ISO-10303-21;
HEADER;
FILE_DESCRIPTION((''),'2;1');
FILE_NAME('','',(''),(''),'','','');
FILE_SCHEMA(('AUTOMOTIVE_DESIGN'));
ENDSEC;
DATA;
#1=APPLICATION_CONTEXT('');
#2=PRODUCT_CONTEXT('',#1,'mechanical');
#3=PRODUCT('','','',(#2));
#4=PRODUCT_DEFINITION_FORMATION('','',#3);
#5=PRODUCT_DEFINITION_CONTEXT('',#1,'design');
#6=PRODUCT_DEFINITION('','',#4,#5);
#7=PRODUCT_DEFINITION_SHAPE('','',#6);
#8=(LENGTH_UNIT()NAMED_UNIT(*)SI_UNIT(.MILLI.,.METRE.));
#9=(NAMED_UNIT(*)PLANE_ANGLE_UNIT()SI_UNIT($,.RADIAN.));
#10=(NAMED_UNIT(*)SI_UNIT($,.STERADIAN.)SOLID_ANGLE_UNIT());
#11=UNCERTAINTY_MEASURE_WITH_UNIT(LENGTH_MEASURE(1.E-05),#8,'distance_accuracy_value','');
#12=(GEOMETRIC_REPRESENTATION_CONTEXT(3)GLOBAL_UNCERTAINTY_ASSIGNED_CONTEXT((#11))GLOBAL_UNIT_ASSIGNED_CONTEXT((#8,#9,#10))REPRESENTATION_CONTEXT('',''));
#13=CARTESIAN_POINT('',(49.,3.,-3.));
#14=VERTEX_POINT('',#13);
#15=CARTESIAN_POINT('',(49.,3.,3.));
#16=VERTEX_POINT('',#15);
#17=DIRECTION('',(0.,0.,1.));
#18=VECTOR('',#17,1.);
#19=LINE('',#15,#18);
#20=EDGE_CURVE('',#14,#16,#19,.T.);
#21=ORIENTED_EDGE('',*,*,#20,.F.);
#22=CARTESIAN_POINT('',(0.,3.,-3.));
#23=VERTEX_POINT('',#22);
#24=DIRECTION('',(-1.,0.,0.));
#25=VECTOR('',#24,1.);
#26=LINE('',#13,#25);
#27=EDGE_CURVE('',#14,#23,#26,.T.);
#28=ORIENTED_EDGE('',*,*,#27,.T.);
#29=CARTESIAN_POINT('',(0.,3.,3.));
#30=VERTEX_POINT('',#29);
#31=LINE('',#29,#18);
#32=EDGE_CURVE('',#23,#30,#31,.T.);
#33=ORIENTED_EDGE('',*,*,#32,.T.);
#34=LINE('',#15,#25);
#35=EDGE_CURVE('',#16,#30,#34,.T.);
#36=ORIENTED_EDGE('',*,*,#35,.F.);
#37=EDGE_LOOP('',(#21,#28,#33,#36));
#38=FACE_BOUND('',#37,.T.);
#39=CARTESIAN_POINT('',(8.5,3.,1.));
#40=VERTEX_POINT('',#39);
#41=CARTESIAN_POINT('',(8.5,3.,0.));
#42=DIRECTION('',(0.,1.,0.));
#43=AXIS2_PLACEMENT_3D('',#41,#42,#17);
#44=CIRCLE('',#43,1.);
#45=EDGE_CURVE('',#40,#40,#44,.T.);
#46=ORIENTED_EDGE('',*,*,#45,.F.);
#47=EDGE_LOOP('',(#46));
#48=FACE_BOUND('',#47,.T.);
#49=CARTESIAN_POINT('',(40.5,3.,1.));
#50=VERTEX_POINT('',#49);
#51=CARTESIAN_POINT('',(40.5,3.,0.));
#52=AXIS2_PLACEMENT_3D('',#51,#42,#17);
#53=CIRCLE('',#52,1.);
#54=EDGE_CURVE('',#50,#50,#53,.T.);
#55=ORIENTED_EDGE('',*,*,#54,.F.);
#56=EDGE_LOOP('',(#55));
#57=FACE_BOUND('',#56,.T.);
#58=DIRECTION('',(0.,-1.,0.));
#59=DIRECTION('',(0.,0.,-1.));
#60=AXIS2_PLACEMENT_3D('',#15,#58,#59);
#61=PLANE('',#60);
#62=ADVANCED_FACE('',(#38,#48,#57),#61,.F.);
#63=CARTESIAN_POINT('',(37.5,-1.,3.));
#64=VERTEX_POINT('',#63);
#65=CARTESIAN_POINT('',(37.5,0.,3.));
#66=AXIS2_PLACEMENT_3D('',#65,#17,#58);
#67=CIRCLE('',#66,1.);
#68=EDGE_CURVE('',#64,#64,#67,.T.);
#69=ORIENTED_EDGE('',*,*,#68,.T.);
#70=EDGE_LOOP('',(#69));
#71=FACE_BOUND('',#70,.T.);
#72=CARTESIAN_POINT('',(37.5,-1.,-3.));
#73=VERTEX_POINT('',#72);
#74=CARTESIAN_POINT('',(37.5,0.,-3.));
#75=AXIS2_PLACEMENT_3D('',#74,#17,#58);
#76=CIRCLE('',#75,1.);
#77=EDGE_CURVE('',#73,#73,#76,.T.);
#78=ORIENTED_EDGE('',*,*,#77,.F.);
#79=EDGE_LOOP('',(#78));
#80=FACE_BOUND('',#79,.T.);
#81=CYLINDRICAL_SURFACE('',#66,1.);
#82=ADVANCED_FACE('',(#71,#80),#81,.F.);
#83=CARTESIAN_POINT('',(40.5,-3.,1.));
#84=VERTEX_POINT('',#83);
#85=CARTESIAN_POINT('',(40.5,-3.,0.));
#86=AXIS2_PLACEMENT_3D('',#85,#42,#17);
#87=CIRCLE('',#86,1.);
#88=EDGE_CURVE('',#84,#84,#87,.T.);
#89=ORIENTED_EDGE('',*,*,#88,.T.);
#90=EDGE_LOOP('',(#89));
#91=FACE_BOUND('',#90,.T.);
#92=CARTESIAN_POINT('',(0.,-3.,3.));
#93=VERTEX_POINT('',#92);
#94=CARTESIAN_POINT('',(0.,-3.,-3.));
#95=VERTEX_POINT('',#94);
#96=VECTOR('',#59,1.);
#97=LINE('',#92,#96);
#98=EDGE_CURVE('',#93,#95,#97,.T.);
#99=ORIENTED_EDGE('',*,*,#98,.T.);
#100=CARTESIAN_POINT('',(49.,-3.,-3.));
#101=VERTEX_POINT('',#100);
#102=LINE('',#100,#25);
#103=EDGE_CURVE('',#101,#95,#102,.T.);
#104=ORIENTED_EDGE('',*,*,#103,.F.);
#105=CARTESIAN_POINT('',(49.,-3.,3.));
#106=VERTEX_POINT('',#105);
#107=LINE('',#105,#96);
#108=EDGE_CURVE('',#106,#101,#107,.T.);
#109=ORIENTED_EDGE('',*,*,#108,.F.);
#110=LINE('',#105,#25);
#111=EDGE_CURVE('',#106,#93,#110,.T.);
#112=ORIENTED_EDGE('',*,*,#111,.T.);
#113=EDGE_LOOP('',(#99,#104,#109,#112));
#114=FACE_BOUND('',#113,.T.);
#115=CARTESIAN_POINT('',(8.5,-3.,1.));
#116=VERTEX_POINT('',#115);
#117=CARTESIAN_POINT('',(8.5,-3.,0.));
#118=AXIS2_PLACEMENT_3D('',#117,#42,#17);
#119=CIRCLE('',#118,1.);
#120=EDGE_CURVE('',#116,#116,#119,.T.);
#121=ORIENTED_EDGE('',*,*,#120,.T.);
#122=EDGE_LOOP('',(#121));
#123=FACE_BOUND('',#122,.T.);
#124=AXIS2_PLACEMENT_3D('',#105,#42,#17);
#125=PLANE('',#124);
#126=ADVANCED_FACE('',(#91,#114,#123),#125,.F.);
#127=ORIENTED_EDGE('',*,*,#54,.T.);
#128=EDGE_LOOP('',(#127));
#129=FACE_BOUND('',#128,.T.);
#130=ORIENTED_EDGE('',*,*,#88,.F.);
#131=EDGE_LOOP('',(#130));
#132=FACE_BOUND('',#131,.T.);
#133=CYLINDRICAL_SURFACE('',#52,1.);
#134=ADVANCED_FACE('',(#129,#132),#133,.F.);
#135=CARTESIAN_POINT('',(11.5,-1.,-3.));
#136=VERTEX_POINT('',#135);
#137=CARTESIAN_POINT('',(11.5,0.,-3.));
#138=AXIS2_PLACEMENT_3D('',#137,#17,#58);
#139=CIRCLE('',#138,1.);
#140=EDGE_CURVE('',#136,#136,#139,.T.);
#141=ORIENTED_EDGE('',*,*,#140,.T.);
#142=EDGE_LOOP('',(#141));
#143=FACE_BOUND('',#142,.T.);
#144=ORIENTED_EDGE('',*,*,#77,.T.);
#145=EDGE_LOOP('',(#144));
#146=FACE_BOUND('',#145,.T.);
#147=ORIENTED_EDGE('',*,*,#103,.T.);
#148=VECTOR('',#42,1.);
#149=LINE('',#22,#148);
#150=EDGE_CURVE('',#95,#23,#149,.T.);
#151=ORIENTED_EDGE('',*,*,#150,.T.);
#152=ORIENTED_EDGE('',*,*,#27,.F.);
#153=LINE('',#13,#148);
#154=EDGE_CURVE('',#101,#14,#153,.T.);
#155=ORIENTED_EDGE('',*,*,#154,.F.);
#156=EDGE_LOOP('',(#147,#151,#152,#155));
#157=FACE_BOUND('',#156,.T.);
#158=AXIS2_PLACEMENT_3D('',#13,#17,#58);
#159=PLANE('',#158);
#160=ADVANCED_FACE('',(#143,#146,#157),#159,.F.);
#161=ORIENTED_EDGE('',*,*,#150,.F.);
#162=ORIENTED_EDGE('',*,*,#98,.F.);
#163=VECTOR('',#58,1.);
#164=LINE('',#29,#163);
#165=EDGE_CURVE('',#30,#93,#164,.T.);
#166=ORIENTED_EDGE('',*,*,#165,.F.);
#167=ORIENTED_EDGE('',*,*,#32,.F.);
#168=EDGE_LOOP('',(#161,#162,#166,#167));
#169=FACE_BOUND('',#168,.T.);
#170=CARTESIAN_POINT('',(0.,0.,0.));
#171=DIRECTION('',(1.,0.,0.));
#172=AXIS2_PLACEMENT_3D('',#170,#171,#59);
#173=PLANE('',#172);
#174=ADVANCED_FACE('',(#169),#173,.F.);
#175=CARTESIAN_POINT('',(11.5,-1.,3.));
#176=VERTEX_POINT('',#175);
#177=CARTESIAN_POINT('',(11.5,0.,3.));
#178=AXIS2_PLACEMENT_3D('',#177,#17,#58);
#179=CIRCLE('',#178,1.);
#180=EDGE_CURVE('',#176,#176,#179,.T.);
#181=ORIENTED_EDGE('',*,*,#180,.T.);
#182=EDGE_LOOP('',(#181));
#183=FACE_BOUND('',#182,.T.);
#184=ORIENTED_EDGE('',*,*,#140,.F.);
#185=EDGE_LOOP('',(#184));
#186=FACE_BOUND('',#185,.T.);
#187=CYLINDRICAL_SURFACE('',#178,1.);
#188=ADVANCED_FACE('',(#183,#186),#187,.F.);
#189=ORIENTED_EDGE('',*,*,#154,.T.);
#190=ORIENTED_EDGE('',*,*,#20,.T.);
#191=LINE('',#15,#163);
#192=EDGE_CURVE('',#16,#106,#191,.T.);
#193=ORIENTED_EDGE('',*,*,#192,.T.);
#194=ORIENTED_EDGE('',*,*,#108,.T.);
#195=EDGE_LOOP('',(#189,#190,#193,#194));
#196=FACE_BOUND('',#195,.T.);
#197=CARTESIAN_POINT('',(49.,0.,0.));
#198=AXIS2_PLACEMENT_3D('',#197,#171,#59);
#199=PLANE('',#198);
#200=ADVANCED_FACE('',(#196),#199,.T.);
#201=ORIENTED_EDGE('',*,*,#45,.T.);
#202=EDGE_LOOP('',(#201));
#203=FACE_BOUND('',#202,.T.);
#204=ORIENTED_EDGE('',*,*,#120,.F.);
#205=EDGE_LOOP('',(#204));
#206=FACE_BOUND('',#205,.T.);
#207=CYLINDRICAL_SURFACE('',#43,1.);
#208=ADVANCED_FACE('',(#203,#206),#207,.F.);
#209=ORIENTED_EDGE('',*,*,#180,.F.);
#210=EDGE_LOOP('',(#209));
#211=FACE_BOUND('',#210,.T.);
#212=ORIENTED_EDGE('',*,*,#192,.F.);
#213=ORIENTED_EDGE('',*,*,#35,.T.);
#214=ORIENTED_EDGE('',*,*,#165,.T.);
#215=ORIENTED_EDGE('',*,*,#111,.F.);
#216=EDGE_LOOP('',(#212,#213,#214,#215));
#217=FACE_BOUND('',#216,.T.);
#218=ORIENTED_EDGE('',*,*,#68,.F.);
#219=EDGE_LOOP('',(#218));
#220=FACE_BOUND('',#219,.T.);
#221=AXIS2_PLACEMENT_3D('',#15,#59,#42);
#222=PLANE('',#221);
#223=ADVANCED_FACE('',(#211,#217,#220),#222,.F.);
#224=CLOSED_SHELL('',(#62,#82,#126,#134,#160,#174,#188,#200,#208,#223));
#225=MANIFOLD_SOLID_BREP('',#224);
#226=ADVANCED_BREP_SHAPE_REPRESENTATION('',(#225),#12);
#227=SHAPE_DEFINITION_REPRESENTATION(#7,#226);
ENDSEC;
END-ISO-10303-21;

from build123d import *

# Parameters (mm, degrees)
SKETCH1_W                 = 6
SKETCH1_H                 = 6
BOSS_EXTRUDE1_DEPTH       = 49
F_2_0MM_DOWEL_HOLE1_D     = 2
F_2_0MM_DOWEL_HOLE1_DEPTH = 10
F_2_0MM_DOWEL_HOLE1_TIP   = 0.600860619
F_2_0MM_DOWEL_HOLE8_D     = 2
F_2_0MM_DOWEL_HOLE8_DEPTH = 10
F_2_0MM_DOWEL_HOLE8_TIP   = 0.600860619


with BuildPart() as part:
    # Sketch1 → Boss-Extrude1 (new body)
    with BuildSketch(Plane(origin=(0, 0, 0), x_dir=(0, 0, -1), z_dir=(1, 0, 0))):
        Rectangle(SKETCH1_W, SKETCH1_H)
    extrude(amount=BOSS_EXTRUDE1_DEPTH)

    # Ø2.0mm Dowel Hole1
    with Locations(Plane(origin=(11.5, 0, 3), x_dir=(0, 1, 0), z_dir=(0, 0, 1))):
        with Locations((0, 0), (0, -26)):
            Hole(F_2_0MM_DOWEL_HOLE1_D / 2, depth=F_2_0MM_DOWEL_HOLE1_DEPTH)
            with Locations((0, 0, -(F_2_0MM_DOWEL_HOLE1_DEPTH + F_2_0MM_DOWEL_HOLE1_TIP / 2))):  # 118° drill point
                Cone(0, F_2_0MM_DOWEL_HOLE1_D / 2, F_2_0MM_DOWEL_HOLE1_TIP, mode=Mode.SUBTRACT)

    # Ø2.0mm Dowel Hole8
    with Locations(Plane(origin=(8.5, 3, 0), x_dir=(0, 0, 1), z_dir=(0, 1, 0))):
        with Locations((0, 0), (0, 32)):
            Hole(F_2_0MM_DOWEL_HOLE8_D / 2, depth=F_2_0MM_DOWEL_HOLE8_DEPTH)
            with Locations((0, 0, -(F_2_0MM_DOWEL_HOLE8_DEPTH + F_2_0MM_DOWEL_HOLE8_TIP / 2))):  # 118° drill point
                Cone(0, F_2_0MM_DOWEL_HOLE8_D / 2, F_2_0MM_DOWEL_HOLE8_TIP, mode=Mode.SUBTRACT)


solid = part.part
